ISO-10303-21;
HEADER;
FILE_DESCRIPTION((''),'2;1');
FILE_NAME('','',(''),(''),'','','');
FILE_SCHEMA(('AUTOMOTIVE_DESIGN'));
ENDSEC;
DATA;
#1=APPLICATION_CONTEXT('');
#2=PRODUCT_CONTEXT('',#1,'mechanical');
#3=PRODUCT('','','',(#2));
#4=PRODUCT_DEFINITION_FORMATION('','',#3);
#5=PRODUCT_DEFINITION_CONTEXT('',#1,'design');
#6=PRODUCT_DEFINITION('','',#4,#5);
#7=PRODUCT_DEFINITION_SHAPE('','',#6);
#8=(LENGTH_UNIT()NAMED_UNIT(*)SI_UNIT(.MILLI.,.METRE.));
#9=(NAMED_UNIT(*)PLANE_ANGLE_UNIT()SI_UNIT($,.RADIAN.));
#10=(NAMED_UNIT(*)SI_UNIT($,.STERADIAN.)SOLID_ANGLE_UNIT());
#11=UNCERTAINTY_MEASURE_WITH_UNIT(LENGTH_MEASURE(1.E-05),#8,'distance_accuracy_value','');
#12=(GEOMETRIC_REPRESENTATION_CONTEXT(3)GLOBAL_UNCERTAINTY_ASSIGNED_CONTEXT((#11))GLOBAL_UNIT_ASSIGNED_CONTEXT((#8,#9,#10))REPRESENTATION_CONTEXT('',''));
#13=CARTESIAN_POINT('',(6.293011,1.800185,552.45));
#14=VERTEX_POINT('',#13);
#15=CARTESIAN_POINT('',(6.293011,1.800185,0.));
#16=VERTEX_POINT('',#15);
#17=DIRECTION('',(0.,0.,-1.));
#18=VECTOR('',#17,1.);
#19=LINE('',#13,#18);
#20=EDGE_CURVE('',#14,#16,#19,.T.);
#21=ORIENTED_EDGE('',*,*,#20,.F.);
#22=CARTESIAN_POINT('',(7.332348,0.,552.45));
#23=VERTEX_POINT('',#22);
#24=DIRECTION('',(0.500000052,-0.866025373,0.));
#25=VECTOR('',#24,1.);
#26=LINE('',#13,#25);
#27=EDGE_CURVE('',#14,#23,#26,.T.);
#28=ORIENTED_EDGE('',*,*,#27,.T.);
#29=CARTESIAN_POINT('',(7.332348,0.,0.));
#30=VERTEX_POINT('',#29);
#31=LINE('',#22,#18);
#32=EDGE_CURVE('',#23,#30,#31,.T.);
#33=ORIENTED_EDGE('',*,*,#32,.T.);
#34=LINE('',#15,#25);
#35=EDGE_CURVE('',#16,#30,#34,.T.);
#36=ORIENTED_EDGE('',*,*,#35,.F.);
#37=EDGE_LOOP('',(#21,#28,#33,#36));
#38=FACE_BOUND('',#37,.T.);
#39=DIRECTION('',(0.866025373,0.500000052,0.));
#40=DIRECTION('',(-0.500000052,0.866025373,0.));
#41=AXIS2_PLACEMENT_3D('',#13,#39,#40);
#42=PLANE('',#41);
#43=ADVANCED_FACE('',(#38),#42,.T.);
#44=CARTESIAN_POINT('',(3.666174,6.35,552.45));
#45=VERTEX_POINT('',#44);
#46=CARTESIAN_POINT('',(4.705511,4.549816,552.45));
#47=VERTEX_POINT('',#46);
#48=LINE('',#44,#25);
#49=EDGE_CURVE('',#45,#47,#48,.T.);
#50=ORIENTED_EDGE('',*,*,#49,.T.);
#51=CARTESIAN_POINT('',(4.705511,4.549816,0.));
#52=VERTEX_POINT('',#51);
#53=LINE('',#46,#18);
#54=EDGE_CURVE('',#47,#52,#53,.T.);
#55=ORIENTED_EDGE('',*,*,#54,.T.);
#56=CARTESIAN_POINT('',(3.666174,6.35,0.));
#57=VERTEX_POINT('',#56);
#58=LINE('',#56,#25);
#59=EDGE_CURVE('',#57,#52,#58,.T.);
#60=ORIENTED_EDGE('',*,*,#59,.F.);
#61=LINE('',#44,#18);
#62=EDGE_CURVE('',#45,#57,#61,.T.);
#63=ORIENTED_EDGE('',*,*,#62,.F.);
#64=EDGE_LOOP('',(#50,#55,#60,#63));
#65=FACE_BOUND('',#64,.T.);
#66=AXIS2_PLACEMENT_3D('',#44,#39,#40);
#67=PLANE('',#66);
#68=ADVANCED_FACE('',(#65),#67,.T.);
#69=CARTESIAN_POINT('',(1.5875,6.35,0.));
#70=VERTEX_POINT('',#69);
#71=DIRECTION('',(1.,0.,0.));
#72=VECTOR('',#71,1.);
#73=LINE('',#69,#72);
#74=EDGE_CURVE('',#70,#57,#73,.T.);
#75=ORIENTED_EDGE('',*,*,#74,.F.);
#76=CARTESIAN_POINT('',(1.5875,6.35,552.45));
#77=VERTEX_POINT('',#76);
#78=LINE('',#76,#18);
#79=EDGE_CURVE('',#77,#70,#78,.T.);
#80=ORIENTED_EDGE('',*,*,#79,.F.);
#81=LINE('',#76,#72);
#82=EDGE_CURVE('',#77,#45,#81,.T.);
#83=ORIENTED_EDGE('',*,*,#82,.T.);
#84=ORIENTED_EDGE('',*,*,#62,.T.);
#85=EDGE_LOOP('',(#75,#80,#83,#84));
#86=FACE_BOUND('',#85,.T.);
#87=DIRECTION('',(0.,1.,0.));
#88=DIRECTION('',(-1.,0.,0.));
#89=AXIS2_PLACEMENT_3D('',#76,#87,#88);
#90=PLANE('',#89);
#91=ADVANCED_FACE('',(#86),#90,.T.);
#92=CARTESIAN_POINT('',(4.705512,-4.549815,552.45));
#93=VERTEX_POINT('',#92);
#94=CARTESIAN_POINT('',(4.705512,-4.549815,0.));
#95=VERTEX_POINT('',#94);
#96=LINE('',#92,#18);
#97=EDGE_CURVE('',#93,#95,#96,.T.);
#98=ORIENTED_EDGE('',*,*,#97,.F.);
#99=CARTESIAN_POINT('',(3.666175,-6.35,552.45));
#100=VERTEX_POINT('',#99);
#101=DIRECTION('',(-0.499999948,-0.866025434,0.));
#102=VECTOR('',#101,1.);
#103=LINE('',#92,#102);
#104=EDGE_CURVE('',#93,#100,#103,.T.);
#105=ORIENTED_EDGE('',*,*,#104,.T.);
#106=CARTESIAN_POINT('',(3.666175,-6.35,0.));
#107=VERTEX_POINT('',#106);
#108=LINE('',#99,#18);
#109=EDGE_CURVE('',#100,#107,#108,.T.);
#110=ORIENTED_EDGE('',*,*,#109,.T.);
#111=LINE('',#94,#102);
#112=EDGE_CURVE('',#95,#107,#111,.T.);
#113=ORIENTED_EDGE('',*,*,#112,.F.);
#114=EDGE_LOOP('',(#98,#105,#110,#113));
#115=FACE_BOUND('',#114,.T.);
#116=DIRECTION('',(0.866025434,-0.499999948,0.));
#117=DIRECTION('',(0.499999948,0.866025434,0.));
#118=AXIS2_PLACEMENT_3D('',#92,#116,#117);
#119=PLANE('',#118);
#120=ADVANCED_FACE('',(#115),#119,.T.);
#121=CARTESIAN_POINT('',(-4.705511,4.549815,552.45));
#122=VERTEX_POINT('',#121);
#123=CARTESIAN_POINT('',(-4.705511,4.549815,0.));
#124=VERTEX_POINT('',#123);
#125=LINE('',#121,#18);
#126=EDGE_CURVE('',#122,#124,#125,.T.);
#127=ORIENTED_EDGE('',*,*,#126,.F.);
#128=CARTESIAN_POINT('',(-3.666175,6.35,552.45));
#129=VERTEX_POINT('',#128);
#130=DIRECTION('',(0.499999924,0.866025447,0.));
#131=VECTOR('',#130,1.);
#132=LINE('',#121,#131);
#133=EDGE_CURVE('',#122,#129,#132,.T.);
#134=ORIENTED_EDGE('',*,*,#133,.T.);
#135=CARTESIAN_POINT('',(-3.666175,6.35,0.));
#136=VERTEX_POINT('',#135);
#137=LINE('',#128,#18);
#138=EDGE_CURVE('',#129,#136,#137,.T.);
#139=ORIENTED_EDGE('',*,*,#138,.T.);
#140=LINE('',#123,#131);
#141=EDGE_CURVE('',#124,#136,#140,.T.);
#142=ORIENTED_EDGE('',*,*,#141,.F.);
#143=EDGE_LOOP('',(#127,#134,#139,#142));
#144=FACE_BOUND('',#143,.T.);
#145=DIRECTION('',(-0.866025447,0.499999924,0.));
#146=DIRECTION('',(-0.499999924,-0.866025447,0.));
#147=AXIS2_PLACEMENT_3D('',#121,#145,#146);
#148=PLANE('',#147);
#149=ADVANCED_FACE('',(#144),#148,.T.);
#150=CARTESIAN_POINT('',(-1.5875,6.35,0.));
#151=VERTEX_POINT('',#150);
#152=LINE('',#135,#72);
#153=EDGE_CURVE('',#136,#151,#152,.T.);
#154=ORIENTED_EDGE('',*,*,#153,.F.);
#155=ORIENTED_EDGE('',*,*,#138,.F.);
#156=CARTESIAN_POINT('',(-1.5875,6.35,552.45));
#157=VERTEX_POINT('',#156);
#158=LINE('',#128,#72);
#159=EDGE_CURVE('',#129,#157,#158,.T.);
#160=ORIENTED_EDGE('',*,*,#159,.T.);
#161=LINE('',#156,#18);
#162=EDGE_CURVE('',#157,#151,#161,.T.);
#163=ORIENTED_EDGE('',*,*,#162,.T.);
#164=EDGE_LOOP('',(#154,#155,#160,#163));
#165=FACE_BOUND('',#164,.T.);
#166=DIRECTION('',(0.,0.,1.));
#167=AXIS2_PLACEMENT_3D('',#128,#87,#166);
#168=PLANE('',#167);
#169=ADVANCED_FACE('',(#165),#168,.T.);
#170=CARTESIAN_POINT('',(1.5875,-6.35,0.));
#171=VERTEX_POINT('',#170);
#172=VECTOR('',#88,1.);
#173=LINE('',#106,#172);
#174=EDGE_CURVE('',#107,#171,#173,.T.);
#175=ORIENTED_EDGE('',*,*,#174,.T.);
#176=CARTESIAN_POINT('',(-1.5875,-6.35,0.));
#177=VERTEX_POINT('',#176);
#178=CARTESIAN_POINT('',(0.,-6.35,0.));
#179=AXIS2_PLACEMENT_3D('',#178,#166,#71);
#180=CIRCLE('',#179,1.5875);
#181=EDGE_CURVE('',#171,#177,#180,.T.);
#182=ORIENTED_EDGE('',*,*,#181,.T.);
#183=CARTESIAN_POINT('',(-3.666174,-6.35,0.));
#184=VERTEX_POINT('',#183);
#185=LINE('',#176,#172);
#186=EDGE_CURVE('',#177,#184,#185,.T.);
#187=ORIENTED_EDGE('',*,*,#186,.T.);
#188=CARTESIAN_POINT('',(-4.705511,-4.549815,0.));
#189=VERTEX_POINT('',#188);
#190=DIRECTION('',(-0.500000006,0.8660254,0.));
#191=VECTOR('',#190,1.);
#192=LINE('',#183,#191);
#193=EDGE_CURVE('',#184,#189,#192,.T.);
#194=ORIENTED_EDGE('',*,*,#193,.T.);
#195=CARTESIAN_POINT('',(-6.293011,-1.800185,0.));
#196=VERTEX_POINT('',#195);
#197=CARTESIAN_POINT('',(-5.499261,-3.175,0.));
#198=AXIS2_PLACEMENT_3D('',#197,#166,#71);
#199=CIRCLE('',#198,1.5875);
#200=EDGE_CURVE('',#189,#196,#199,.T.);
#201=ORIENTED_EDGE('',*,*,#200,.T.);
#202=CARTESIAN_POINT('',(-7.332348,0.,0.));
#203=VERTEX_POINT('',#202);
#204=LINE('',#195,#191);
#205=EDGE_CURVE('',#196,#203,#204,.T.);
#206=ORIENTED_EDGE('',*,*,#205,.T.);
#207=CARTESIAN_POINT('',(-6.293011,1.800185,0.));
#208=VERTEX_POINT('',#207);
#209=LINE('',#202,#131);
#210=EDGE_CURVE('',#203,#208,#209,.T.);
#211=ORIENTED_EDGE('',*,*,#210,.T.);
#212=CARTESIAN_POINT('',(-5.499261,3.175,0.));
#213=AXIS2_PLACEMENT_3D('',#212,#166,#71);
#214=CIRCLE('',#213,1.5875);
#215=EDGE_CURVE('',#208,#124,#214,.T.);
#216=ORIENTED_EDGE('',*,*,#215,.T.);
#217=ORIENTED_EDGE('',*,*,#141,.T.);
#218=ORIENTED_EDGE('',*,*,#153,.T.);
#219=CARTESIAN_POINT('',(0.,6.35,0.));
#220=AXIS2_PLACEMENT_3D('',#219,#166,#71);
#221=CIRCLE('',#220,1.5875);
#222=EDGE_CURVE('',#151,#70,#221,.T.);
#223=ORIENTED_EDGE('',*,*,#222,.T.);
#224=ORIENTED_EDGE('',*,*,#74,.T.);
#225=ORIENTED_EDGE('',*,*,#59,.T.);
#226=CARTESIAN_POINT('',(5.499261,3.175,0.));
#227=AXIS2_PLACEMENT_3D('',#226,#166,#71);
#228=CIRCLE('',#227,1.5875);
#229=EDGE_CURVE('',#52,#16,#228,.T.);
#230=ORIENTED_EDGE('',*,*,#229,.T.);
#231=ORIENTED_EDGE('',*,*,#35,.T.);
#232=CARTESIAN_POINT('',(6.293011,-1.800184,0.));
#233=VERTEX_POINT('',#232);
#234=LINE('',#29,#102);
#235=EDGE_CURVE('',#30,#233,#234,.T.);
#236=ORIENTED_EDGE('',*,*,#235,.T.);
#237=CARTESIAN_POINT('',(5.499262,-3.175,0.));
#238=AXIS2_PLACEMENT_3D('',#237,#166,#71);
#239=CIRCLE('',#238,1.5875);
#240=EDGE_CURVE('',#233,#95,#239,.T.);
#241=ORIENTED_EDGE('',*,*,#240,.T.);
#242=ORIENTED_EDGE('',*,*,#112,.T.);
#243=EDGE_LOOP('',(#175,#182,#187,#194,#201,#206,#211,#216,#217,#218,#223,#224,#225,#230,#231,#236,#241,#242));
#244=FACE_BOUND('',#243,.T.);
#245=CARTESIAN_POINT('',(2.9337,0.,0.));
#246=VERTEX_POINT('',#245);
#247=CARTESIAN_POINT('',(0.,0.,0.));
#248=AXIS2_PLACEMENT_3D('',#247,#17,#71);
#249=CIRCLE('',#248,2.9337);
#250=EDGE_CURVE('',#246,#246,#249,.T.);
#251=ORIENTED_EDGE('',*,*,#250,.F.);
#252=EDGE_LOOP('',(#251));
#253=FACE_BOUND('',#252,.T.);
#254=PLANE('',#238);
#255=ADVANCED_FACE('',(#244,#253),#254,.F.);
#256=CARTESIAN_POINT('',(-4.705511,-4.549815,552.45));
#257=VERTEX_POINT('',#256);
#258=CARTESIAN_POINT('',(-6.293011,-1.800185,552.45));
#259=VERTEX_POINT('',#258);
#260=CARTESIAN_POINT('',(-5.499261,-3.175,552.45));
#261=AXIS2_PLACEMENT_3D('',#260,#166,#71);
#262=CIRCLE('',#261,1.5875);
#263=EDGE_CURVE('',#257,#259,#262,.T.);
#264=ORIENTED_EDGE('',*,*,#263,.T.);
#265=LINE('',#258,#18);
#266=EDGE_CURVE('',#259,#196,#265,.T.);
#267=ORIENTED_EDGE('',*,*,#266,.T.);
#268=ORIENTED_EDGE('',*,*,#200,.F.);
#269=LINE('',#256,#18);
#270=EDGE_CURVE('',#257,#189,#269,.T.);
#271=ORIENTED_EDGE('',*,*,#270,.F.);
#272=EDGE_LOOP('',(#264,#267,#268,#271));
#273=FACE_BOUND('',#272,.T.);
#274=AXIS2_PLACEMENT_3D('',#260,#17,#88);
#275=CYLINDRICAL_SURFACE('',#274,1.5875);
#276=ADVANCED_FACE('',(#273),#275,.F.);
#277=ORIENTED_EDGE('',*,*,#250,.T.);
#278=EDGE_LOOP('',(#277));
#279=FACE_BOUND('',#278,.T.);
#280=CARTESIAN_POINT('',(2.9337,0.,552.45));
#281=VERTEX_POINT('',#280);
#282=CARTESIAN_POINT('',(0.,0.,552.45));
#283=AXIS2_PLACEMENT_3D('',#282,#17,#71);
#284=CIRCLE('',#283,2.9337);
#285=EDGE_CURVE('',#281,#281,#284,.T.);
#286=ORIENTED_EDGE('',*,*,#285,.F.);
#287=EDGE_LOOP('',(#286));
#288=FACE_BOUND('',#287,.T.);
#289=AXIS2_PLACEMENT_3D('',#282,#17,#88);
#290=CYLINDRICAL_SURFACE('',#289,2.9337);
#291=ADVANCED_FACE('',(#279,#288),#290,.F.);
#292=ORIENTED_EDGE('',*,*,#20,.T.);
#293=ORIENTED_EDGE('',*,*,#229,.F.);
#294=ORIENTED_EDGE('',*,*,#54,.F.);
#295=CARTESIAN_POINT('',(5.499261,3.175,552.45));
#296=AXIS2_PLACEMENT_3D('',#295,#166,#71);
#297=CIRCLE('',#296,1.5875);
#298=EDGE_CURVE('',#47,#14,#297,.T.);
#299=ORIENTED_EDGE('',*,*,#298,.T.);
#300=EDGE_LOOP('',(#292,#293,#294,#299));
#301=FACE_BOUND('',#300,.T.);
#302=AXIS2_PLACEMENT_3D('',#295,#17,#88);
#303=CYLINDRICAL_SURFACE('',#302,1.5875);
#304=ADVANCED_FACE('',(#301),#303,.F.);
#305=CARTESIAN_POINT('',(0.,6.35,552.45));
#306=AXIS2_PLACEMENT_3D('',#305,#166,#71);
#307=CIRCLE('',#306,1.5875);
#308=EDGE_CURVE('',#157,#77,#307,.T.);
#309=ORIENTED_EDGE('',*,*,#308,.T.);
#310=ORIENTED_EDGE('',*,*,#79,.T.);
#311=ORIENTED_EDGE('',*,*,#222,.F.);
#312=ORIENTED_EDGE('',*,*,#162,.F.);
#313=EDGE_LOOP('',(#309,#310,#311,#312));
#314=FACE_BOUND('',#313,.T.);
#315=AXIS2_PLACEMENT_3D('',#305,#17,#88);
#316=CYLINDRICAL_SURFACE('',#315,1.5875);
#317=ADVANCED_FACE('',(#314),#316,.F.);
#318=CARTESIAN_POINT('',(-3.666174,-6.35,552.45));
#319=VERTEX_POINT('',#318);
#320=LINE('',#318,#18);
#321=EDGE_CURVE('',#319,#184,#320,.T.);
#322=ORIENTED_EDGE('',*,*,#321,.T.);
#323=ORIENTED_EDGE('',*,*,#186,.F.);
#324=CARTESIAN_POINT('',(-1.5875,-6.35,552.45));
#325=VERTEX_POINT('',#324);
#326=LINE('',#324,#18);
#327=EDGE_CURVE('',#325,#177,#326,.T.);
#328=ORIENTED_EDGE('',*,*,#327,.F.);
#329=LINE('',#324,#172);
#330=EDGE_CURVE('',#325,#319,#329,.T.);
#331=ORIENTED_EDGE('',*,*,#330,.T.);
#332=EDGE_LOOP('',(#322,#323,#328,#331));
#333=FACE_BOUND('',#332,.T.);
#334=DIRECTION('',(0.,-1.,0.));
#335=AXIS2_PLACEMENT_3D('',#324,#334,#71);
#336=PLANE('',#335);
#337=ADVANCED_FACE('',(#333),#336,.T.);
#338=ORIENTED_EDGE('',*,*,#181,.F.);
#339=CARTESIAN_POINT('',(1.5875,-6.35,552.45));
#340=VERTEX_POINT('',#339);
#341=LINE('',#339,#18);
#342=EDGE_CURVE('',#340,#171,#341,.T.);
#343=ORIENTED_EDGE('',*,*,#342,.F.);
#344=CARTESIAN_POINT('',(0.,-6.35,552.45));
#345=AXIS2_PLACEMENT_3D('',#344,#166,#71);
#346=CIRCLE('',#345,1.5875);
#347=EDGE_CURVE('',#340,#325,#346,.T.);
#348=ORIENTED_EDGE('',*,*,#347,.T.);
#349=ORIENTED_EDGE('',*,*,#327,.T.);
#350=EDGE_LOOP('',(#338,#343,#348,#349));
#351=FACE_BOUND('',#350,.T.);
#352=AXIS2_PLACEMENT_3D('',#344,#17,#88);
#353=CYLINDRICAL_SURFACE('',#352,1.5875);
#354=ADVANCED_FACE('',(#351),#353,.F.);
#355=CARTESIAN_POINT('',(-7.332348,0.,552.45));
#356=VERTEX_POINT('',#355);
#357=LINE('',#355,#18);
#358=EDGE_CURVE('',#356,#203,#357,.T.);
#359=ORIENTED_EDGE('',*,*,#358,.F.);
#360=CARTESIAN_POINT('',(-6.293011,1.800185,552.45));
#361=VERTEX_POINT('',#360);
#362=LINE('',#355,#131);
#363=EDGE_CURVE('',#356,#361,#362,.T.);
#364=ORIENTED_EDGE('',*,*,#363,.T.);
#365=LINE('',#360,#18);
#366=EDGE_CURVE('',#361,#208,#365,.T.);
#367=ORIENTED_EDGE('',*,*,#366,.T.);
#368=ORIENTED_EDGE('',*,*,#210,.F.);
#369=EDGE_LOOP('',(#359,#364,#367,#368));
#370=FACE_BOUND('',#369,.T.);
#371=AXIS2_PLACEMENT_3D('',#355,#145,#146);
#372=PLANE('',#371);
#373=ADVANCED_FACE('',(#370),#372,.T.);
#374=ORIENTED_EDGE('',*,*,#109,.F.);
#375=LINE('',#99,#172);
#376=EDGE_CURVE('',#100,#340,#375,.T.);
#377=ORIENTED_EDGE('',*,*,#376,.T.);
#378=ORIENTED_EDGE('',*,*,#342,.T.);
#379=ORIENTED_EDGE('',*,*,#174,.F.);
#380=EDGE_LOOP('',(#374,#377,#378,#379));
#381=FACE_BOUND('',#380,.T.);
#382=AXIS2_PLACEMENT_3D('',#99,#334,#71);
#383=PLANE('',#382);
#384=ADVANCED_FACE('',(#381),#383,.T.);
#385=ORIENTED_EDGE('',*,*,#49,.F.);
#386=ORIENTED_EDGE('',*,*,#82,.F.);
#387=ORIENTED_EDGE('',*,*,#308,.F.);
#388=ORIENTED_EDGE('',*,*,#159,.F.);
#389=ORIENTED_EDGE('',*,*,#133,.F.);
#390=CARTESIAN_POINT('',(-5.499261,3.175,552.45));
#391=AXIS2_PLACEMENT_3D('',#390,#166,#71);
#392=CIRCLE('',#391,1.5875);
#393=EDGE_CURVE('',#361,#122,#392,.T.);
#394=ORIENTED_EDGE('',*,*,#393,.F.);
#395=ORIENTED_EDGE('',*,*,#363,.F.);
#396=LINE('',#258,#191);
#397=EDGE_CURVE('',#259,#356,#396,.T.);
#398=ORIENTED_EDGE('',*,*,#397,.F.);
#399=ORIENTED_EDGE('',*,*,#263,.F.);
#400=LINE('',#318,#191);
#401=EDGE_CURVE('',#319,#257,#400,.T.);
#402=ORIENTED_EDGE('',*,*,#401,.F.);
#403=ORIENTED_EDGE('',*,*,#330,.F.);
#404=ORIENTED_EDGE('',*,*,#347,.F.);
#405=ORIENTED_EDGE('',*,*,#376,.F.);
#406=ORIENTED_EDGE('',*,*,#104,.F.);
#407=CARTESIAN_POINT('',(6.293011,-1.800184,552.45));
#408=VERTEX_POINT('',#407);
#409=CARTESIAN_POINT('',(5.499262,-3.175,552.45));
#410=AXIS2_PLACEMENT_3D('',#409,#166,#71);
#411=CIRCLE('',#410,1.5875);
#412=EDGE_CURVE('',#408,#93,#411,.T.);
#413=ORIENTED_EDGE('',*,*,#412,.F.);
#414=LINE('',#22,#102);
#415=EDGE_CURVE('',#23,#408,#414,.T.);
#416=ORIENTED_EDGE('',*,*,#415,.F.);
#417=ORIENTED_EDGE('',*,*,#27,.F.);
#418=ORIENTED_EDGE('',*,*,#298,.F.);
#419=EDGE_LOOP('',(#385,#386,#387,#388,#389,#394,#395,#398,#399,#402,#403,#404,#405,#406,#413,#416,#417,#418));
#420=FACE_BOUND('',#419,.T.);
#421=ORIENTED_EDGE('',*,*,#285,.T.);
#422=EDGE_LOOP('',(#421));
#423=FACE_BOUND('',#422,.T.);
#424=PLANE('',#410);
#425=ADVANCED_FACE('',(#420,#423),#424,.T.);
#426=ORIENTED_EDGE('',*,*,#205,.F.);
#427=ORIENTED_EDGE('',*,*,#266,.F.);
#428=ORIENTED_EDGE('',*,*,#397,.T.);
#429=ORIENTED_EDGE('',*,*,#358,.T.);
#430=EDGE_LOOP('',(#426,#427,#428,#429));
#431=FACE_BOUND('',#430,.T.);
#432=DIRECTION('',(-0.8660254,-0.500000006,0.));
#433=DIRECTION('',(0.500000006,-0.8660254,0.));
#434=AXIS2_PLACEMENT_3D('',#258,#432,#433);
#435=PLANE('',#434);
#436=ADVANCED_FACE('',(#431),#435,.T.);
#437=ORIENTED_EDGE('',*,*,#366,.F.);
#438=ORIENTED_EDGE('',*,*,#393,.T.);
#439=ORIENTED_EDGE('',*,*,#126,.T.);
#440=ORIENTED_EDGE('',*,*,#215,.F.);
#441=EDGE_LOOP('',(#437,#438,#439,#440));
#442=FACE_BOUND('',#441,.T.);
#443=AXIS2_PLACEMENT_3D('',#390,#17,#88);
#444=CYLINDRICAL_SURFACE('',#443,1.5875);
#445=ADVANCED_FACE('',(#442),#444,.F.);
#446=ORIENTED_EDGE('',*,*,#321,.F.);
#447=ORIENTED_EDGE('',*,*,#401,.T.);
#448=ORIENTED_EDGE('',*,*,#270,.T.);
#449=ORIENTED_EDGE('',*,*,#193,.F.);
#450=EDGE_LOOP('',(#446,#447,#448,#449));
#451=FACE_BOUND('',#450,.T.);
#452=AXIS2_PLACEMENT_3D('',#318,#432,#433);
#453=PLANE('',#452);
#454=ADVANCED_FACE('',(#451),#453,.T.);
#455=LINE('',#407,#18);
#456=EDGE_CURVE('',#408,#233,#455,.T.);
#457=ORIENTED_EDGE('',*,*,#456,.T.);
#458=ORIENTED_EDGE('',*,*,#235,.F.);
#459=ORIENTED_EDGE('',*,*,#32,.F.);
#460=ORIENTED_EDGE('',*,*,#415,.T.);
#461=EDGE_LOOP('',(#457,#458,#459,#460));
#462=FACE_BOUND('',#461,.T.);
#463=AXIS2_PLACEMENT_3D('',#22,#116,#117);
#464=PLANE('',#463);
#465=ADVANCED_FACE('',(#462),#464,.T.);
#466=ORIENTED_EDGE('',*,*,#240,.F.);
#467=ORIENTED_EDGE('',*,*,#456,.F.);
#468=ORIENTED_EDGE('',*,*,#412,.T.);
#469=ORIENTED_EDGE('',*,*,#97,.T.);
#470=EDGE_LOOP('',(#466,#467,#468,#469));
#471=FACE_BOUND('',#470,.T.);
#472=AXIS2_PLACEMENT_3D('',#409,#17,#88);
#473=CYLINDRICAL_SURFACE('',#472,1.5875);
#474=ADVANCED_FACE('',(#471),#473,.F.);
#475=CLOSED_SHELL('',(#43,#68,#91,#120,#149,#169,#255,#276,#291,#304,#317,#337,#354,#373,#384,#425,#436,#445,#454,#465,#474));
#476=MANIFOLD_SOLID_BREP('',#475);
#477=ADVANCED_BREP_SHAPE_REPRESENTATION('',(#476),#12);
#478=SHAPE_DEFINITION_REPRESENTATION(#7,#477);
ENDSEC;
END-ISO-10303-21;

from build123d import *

# Parameters (mm, degrees)
SKETCH1_R           = 2.9337
BOSS_EXTRUDE1_DEPTH = 552.45


with BuildPart() as part:
    # Sketch1 → Boss-Extrude1 (new body)
    with BuildSketch(Plane(origin=(0, 0, 0), x_dir=(-1, 0, 0), z_dir=(0, 0, -1))):
        with BuildLine():
            Line((-4.70551159, -4.549815043), (-3.666174521, -6.349999904))
            Line((-3.666174521, -6.349999904), (-1.587500385, -6.349999904))
            ThreePointArc((-1.587500385, -6.349999904), (-3.85e-07, -4.762499904), (1.587499615, -6.349999904))
            Line((1.587499615, -6.349999904), (3.666173825, -6.349999904))
            Line((3.666173825, -6.349999904), (4.705510942, -4.54981524))
            ThreePointArc((4.705510942, -4.54981524), (4.124445629, -2.381249907), (6.293010962, -1.800184594))
            Line((6.293010962, -1.800184594), (7.332348079, 7e-08))
            Line((7.332348079, 7e-08), (6.293011217, 1.800184685))
            ThreePointArc((6.293011217, 1.800184685), (4.124445939, 2.381250203), (4.705511457, 4.549815481))
            Line((4.705511457, 4.549815481), (3.666174521, 6.350000222))
            Line((3.666174521, 6.350000222), (1.587500385, 6.350000222))
            ThreePointArc((1.587500385, 6.350000222), (3.85e-07, 4.762500222), (-1.587499615, 6.350000222))
            Line((-1.587499615, 6.350000222), (-3.666173825, 6.350000222))
            Line((-3.666173825, 6.350000222), (-4.705511038, 4.549815614))
            ThreePointArc((-4.705511038, 4.549815614), (-4.124445841, 2.38125025), (-6.293011205, 1.800185053))
            Line((-6.293011205, 1.800185053), (-7.332348419, 4.44e-07))
            Line((-7.332348419, 4.44e-07), (-6.293011423, -1.80018429))
            ThreePointArc((-6.293011423, -1.80018429), (-4.12444613, -2.38124975), (-4.70551159, -4.549815043))
        make_face()
        with Locations(Location((0, 0, 0), (0, 0, 180))):
            Circle(SKETCH1_R, mode=Mode.SUBTRACT)
    extrude(amount=-BOSS_EXTRUDE1_DEPTH)


solid = part.part
